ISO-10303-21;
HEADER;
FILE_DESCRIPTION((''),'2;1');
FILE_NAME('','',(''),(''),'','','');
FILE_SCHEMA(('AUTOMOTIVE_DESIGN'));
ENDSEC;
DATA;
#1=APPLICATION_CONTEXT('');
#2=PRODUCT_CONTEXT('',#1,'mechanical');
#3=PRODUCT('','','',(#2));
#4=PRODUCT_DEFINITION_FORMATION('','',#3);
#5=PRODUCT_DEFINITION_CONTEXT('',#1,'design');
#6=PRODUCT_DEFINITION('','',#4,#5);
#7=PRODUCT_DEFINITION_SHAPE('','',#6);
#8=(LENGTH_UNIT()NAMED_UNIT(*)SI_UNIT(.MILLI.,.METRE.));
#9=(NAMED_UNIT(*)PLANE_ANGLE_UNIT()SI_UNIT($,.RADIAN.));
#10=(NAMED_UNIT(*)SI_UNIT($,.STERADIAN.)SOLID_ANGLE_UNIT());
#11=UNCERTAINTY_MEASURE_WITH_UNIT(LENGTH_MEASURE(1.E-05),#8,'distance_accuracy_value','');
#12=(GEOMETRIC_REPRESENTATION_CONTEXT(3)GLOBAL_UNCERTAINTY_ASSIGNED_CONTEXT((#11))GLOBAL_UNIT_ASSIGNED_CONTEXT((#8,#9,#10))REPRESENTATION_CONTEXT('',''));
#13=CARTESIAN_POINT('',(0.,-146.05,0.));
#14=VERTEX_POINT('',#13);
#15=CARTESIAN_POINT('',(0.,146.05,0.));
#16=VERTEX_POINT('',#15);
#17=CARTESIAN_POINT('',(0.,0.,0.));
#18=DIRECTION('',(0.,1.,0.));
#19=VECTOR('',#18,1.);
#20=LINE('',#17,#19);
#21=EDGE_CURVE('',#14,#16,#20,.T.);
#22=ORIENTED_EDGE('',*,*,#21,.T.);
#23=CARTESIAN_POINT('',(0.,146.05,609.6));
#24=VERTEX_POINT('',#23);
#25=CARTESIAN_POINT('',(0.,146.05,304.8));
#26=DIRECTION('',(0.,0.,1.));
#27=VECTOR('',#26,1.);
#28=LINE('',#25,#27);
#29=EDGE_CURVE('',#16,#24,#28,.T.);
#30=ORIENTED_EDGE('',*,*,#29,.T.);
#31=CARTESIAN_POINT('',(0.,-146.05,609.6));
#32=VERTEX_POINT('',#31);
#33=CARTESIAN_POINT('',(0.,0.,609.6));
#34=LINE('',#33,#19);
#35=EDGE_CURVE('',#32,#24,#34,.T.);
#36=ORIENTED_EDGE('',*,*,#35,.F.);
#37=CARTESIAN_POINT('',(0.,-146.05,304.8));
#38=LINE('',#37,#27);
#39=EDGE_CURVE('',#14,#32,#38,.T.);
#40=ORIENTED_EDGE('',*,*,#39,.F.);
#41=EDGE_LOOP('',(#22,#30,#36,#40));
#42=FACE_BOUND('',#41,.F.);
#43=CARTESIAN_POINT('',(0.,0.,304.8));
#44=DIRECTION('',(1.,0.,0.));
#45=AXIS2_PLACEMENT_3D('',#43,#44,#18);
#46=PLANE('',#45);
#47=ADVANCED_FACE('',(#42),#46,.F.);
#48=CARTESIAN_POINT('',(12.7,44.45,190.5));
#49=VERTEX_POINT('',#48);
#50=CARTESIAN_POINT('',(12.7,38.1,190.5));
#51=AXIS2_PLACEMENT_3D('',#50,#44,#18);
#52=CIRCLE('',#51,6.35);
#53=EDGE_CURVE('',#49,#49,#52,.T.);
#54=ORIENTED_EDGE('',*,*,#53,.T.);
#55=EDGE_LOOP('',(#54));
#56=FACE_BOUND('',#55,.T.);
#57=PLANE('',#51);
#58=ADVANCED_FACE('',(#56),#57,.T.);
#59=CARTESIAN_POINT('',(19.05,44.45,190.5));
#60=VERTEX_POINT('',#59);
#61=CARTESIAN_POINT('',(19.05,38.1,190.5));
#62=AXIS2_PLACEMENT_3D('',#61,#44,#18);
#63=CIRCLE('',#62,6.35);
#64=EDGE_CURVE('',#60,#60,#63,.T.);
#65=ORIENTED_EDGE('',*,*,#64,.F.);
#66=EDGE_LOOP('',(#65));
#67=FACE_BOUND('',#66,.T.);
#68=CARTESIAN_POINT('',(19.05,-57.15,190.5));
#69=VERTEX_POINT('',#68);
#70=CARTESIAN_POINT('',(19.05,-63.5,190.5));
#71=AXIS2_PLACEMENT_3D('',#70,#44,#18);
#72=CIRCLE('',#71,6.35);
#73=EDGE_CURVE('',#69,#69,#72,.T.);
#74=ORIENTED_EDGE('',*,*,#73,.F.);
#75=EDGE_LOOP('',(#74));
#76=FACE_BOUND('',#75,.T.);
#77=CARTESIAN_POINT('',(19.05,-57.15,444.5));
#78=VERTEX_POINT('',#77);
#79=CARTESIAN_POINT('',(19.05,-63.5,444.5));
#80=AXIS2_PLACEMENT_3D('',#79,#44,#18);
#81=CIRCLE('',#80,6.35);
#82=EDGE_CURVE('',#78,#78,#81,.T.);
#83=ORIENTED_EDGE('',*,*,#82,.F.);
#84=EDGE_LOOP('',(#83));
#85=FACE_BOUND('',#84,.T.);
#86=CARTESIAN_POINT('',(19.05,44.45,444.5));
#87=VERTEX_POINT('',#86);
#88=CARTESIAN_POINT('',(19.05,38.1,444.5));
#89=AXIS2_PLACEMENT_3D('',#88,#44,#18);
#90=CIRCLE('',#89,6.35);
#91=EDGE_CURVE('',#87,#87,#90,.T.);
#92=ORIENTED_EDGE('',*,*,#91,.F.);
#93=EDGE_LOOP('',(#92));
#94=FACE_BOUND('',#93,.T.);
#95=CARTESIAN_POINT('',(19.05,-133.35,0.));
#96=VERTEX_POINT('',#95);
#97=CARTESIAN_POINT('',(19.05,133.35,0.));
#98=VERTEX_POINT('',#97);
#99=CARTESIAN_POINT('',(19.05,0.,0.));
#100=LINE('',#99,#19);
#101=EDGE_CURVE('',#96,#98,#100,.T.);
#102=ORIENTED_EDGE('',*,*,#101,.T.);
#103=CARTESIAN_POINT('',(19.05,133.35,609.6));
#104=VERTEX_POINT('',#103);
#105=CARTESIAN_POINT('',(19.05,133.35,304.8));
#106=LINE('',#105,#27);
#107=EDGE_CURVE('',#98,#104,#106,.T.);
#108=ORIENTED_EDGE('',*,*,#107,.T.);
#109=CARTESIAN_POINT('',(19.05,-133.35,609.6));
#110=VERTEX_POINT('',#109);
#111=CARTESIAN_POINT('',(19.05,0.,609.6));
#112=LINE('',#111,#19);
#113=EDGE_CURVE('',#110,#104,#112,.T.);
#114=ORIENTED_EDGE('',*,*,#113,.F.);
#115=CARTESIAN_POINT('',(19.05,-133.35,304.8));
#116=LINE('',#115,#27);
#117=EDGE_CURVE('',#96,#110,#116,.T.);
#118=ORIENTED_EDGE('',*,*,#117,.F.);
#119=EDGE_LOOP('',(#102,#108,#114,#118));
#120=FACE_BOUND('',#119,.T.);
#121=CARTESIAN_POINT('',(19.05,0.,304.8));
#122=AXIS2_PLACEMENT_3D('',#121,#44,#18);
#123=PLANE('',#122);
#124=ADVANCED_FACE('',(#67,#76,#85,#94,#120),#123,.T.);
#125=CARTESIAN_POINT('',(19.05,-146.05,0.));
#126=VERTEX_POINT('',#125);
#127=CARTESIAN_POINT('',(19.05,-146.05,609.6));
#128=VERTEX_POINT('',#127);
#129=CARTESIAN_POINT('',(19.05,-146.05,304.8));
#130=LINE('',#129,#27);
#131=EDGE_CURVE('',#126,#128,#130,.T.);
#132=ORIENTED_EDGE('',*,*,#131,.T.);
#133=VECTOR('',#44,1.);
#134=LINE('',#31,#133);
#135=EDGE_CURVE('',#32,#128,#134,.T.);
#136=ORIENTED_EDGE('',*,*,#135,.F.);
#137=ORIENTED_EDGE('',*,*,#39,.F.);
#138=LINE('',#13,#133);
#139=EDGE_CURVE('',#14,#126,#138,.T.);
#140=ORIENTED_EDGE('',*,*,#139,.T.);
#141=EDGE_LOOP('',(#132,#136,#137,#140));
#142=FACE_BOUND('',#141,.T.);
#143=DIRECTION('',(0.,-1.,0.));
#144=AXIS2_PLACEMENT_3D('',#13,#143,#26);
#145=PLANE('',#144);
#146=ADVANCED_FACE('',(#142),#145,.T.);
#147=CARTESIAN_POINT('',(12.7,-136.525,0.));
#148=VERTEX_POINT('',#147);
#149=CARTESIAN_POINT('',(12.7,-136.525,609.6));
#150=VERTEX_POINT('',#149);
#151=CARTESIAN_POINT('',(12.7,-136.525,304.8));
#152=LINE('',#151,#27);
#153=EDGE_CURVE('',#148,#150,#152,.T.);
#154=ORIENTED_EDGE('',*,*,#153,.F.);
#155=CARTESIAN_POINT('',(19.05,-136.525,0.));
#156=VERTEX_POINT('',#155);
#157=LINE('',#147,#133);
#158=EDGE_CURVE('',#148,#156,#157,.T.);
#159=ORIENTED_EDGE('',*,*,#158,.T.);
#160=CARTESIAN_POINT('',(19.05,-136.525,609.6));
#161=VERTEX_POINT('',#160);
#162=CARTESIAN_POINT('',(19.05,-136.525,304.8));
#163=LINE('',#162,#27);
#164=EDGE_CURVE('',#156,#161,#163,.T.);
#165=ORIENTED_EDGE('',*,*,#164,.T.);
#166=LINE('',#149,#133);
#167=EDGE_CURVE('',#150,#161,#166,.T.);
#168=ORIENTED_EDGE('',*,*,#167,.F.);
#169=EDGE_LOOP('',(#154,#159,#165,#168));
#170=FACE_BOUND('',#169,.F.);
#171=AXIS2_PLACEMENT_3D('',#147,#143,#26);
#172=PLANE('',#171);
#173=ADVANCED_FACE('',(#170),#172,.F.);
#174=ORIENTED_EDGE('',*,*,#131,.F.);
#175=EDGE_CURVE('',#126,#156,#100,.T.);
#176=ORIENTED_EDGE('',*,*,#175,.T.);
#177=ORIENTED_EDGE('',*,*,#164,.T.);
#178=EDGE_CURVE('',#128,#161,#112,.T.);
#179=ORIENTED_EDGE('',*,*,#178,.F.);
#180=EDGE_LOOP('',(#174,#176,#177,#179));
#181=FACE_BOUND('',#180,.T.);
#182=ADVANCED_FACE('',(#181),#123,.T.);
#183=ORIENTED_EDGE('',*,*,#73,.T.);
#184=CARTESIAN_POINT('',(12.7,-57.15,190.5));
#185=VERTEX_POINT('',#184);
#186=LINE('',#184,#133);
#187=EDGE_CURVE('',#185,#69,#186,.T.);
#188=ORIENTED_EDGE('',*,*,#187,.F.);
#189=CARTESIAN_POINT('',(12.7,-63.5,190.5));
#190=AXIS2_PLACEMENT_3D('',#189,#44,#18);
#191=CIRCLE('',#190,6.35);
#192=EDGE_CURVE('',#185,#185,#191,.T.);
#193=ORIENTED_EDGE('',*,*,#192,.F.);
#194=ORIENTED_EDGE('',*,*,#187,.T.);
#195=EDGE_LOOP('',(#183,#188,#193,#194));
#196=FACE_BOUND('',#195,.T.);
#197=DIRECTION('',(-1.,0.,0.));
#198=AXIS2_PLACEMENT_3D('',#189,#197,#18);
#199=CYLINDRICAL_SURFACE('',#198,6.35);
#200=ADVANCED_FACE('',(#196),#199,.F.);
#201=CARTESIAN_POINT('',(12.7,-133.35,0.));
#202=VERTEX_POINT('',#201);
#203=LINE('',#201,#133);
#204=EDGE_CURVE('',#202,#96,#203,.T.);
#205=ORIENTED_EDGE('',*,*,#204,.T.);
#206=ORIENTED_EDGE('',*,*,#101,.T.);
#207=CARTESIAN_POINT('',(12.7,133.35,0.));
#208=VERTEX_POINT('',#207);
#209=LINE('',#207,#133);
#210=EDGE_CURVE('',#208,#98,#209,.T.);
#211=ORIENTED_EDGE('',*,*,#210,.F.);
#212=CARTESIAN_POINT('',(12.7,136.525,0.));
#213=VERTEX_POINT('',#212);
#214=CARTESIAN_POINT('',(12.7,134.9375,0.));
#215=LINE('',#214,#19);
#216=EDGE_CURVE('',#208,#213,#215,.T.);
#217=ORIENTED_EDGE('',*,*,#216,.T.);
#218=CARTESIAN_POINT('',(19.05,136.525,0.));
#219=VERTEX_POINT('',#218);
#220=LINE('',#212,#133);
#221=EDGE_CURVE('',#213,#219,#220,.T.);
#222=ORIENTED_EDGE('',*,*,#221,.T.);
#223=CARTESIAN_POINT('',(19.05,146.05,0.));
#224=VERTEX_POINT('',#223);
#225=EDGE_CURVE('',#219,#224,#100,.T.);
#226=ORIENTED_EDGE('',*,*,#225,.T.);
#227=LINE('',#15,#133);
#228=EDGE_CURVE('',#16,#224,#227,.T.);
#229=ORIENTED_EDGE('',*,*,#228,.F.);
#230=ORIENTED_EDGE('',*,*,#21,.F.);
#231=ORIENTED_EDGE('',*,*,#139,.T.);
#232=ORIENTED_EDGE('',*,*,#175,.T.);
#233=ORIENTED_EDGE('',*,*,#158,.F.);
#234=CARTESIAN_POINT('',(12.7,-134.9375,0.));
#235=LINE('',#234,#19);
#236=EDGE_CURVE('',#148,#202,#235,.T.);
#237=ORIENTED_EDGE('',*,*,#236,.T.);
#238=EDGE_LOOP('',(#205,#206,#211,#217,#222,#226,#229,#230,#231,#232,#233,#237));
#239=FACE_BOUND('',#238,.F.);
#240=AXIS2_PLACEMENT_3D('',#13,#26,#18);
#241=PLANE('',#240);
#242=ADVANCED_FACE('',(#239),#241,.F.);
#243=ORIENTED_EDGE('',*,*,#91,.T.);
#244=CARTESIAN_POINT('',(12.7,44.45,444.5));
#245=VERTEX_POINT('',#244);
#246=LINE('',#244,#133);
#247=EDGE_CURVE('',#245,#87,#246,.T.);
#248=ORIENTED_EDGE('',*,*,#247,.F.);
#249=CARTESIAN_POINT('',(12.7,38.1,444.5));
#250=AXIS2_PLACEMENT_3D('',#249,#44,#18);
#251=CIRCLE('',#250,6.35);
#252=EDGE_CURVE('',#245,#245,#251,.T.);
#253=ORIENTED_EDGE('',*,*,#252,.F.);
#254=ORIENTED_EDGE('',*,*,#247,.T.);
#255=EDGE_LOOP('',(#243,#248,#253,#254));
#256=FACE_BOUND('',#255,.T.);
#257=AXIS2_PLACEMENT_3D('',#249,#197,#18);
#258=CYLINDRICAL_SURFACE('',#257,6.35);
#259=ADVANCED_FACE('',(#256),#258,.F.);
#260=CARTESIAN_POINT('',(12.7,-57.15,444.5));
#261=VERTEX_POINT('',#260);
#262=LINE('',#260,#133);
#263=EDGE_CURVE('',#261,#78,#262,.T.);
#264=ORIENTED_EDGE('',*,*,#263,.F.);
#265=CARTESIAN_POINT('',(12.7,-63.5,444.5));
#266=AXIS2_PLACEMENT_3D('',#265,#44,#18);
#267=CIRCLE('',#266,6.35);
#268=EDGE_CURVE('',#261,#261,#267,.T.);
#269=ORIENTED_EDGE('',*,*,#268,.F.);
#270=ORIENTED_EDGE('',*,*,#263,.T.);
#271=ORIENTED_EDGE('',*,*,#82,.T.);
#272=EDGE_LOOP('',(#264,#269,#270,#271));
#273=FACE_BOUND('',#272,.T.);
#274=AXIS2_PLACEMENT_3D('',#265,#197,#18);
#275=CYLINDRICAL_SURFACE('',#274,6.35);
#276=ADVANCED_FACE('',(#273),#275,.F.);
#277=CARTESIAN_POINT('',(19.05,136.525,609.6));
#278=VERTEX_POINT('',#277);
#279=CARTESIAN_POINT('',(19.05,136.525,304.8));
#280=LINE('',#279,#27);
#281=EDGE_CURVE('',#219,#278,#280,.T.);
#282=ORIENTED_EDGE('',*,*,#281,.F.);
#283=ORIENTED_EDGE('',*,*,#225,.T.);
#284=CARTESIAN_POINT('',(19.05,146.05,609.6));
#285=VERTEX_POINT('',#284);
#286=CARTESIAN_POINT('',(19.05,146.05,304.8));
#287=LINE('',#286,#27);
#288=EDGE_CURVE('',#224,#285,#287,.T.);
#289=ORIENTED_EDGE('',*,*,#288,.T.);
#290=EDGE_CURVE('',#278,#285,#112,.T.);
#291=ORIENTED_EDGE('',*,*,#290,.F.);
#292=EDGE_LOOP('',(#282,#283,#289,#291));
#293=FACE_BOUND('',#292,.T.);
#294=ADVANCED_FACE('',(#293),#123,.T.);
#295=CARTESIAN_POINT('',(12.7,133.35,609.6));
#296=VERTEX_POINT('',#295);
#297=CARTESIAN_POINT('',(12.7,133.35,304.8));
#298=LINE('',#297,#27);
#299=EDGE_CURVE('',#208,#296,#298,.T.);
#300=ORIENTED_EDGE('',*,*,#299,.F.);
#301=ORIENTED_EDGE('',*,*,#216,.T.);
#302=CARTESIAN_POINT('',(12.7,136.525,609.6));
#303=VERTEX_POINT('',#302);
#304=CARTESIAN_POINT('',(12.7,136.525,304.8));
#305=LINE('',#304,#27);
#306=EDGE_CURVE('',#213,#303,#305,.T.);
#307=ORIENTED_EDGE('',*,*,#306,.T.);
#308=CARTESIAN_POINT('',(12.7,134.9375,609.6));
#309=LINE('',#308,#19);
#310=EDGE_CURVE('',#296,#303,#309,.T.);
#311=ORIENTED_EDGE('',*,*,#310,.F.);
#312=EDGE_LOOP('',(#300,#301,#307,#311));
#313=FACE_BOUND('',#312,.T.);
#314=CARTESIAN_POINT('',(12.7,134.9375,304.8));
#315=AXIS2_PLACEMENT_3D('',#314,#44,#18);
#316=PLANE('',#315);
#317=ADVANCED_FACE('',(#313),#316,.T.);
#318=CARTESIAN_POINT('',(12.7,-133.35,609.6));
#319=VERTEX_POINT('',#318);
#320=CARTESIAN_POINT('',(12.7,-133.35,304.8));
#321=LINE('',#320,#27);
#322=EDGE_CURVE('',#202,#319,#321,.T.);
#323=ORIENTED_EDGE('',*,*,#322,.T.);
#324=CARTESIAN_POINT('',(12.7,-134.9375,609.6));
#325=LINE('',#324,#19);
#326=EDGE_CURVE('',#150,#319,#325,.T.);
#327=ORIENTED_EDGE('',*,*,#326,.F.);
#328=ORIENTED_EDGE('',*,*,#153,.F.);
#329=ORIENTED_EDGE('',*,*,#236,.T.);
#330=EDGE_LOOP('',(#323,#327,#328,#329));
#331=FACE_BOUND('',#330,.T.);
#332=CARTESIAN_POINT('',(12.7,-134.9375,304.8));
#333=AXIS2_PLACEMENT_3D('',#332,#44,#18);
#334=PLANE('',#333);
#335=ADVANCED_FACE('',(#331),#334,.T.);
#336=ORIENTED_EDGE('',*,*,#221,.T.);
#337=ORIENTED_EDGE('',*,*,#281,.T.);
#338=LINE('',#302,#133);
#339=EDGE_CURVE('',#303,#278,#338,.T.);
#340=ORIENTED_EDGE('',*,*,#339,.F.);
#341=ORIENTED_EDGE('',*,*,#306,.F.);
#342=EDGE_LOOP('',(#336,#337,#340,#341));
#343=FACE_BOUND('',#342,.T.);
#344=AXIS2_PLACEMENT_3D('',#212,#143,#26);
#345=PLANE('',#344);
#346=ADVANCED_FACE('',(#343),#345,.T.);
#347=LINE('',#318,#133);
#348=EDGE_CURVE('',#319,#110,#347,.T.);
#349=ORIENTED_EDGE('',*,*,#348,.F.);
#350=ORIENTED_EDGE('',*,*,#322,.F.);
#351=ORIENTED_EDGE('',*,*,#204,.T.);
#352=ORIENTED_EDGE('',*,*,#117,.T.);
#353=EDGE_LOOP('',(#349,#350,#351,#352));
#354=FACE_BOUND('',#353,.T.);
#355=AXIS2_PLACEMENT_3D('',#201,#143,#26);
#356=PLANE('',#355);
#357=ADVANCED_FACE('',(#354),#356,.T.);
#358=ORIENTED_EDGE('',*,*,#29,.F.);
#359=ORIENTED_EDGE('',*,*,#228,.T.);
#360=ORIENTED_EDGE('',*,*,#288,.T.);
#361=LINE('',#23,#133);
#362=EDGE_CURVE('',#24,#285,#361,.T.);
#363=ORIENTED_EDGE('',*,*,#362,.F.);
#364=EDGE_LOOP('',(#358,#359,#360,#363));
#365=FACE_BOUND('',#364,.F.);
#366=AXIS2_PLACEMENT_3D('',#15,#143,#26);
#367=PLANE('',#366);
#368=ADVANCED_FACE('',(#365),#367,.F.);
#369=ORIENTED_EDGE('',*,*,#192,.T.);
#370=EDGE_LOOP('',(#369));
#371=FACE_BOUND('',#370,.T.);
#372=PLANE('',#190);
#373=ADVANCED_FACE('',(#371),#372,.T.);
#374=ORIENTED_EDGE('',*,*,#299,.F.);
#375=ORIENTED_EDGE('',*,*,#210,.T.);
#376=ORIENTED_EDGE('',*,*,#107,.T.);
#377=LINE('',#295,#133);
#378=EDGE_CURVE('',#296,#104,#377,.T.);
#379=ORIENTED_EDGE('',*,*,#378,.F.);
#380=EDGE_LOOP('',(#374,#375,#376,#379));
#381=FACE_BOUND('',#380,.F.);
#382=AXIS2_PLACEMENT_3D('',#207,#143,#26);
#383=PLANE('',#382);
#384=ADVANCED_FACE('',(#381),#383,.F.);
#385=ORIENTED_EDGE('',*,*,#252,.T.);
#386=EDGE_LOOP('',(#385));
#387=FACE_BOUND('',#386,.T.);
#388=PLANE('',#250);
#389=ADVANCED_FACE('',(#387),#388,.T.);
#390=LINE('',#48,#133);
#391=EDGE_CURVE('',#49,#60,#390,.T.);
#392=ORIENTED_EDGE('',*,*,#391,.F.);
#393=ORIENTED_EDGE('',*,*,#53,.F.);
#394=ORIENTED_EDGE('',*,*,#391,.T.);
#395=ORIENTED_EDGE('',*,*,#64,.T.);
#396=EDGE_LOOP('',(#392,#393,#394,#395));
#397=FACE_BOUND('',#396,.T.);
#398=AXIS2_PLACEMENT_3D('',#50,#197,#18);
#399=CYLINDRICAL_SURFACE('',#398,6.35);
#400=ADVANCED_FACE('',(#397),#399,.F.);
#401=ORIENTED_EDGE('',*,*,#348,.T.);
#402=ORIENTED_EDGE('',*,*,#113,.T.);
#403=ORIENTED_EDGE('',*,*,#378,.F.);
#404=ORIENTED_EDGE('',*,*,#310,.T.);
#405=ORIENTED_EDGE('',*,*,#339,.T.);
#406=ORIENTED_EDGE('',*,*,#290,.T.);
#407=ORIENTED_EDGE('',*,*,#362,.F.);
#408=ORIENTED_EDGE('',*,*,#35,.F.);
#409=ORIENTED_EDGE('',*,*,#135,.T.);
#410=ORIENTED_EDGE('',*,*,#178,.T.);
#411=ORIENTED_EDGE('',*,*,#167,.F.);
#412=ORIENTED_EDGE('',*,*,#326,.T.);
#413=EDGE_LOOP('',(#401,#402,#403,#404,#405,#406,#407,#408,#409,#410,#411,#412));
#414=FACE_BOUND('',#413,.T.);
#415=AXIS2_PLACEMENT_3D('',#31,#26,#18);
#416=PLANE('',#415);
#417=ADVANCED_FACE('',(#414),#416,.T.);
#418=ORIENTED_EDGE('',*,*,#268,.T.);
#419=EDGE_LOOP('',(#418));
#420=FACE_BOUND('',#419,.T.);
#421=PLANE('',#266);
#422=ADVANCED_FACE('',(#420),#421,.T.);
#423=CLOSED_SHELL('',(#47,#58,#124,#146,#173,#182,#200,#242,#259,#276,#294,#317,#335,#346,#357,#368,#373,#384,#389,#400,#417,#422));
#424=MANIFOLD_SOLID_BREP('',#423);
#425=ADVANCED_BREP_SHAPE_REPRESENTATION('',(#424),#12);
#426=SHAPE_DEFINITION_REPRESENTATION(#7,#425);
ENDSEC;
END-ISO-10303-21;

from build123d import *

# Parameters (mm, degrees)
SKETCH_W          = 292.1
SKETCH_H          = 609.6
PAD_DEPTH         = 19.05
BOX_W             = 3.175
BOX_H             = 609.6
BOX_DEPTH         = 6.35
BOX001_W          = 3.175
BOX001_H          = 609.6
BOX001_DEPTH      = 6.35
CYLINDER_R        = 6.35
CYLINDER_DEPTH    = 6.35
CYLINDER001_R     = 6.35
CYLINDER001_DEPTH = 6.35
CYLINDER002_R     = 6.35
CYLINDER002_DEPTH = 6.35
CYLINDER003_R     = 6.35
CYLINDER003_DEPTH = 6.35


with BuildPart() as part:
    # Sketch → Pad (new body)
    with BuildSketch(Plane.YZ):
        with Locations((0, 304.8)):
            Rectangle(SKETCH_W, SKETCH_H)
    extrude(amount=PAD_DEPTH)

    # Box → Box (cut)
    with BuildSketch(Plane(origin=(12.7, -136.525, 0), x_dir=(0, 1, 0), z_dir=(1, 0, 0))):
        with Locations((1.5875, 304.8)):
            Rectangle(BOX_W, BOX_H)
    extrude(amount=BOX_DEPTH, mode=Mode.SUBTRACT)

    # Box001 → Box001 (cut)
    with BuildSketch(Plane(origin=(12.7, 133.35, 0), x_dir=(0, 1, 0), z_dir=(1, 0, 0))):
        with Locations((1.5875, 304.8)):
            Rectangle(BOX001_W, BOX001_H)
    extrude(amount=BOX001_DEPTH, mode=Mode.SUBTRACT)

    # Cylinder → Cylinder (cut)
    with BuildSketch(Plane(origin=(12.7, -63.5, 444.5), x_dir=(0, 1, 0), z_dir=(1, 0, 0))):
        Circle(CYLINDER_R)
    extrude(amount=CYLINDER_DEPTH, mode=Mode.SUBTRACT)

    # Cylinder001 → Cylinder001 (cut)
    with BuildSketch(Plane(origin=(12.7, 38.1, 444.5), x_dir=(0, 1, 0), z_dir=(1, 0, 0))):
        Circle(CYLINDER001_R)
    extrude(amount=CYLINDER001_DEPTH, mode=Mode.SUBTRACT)

    # Cylinder002 → Cylinder002 (cut)
    with BuildSketch(Plane(origin=(12.7, 38.1, 190.5), x_dir=(0, 1, 0), z_dir=(1, 0, 0))):
        Circle(CYLINDER002_R)
    extrude(amount=CYLINDER002_DEPTH, mode=Mode.SUBTRACT)

    # Cylinder003 → Cylinder003 (cut)
    with BuildSketch(Plane(origin=(12.7, -63.5, 190.5), x_dir=(0, 1, 0), z_dir=(1, 0, 0))):
        Circle(CYLINDER003_R)
    extrude(amount=CYLINDER003_DEPTH, mode=Mode.SUBTRACT)


solid = part.part
